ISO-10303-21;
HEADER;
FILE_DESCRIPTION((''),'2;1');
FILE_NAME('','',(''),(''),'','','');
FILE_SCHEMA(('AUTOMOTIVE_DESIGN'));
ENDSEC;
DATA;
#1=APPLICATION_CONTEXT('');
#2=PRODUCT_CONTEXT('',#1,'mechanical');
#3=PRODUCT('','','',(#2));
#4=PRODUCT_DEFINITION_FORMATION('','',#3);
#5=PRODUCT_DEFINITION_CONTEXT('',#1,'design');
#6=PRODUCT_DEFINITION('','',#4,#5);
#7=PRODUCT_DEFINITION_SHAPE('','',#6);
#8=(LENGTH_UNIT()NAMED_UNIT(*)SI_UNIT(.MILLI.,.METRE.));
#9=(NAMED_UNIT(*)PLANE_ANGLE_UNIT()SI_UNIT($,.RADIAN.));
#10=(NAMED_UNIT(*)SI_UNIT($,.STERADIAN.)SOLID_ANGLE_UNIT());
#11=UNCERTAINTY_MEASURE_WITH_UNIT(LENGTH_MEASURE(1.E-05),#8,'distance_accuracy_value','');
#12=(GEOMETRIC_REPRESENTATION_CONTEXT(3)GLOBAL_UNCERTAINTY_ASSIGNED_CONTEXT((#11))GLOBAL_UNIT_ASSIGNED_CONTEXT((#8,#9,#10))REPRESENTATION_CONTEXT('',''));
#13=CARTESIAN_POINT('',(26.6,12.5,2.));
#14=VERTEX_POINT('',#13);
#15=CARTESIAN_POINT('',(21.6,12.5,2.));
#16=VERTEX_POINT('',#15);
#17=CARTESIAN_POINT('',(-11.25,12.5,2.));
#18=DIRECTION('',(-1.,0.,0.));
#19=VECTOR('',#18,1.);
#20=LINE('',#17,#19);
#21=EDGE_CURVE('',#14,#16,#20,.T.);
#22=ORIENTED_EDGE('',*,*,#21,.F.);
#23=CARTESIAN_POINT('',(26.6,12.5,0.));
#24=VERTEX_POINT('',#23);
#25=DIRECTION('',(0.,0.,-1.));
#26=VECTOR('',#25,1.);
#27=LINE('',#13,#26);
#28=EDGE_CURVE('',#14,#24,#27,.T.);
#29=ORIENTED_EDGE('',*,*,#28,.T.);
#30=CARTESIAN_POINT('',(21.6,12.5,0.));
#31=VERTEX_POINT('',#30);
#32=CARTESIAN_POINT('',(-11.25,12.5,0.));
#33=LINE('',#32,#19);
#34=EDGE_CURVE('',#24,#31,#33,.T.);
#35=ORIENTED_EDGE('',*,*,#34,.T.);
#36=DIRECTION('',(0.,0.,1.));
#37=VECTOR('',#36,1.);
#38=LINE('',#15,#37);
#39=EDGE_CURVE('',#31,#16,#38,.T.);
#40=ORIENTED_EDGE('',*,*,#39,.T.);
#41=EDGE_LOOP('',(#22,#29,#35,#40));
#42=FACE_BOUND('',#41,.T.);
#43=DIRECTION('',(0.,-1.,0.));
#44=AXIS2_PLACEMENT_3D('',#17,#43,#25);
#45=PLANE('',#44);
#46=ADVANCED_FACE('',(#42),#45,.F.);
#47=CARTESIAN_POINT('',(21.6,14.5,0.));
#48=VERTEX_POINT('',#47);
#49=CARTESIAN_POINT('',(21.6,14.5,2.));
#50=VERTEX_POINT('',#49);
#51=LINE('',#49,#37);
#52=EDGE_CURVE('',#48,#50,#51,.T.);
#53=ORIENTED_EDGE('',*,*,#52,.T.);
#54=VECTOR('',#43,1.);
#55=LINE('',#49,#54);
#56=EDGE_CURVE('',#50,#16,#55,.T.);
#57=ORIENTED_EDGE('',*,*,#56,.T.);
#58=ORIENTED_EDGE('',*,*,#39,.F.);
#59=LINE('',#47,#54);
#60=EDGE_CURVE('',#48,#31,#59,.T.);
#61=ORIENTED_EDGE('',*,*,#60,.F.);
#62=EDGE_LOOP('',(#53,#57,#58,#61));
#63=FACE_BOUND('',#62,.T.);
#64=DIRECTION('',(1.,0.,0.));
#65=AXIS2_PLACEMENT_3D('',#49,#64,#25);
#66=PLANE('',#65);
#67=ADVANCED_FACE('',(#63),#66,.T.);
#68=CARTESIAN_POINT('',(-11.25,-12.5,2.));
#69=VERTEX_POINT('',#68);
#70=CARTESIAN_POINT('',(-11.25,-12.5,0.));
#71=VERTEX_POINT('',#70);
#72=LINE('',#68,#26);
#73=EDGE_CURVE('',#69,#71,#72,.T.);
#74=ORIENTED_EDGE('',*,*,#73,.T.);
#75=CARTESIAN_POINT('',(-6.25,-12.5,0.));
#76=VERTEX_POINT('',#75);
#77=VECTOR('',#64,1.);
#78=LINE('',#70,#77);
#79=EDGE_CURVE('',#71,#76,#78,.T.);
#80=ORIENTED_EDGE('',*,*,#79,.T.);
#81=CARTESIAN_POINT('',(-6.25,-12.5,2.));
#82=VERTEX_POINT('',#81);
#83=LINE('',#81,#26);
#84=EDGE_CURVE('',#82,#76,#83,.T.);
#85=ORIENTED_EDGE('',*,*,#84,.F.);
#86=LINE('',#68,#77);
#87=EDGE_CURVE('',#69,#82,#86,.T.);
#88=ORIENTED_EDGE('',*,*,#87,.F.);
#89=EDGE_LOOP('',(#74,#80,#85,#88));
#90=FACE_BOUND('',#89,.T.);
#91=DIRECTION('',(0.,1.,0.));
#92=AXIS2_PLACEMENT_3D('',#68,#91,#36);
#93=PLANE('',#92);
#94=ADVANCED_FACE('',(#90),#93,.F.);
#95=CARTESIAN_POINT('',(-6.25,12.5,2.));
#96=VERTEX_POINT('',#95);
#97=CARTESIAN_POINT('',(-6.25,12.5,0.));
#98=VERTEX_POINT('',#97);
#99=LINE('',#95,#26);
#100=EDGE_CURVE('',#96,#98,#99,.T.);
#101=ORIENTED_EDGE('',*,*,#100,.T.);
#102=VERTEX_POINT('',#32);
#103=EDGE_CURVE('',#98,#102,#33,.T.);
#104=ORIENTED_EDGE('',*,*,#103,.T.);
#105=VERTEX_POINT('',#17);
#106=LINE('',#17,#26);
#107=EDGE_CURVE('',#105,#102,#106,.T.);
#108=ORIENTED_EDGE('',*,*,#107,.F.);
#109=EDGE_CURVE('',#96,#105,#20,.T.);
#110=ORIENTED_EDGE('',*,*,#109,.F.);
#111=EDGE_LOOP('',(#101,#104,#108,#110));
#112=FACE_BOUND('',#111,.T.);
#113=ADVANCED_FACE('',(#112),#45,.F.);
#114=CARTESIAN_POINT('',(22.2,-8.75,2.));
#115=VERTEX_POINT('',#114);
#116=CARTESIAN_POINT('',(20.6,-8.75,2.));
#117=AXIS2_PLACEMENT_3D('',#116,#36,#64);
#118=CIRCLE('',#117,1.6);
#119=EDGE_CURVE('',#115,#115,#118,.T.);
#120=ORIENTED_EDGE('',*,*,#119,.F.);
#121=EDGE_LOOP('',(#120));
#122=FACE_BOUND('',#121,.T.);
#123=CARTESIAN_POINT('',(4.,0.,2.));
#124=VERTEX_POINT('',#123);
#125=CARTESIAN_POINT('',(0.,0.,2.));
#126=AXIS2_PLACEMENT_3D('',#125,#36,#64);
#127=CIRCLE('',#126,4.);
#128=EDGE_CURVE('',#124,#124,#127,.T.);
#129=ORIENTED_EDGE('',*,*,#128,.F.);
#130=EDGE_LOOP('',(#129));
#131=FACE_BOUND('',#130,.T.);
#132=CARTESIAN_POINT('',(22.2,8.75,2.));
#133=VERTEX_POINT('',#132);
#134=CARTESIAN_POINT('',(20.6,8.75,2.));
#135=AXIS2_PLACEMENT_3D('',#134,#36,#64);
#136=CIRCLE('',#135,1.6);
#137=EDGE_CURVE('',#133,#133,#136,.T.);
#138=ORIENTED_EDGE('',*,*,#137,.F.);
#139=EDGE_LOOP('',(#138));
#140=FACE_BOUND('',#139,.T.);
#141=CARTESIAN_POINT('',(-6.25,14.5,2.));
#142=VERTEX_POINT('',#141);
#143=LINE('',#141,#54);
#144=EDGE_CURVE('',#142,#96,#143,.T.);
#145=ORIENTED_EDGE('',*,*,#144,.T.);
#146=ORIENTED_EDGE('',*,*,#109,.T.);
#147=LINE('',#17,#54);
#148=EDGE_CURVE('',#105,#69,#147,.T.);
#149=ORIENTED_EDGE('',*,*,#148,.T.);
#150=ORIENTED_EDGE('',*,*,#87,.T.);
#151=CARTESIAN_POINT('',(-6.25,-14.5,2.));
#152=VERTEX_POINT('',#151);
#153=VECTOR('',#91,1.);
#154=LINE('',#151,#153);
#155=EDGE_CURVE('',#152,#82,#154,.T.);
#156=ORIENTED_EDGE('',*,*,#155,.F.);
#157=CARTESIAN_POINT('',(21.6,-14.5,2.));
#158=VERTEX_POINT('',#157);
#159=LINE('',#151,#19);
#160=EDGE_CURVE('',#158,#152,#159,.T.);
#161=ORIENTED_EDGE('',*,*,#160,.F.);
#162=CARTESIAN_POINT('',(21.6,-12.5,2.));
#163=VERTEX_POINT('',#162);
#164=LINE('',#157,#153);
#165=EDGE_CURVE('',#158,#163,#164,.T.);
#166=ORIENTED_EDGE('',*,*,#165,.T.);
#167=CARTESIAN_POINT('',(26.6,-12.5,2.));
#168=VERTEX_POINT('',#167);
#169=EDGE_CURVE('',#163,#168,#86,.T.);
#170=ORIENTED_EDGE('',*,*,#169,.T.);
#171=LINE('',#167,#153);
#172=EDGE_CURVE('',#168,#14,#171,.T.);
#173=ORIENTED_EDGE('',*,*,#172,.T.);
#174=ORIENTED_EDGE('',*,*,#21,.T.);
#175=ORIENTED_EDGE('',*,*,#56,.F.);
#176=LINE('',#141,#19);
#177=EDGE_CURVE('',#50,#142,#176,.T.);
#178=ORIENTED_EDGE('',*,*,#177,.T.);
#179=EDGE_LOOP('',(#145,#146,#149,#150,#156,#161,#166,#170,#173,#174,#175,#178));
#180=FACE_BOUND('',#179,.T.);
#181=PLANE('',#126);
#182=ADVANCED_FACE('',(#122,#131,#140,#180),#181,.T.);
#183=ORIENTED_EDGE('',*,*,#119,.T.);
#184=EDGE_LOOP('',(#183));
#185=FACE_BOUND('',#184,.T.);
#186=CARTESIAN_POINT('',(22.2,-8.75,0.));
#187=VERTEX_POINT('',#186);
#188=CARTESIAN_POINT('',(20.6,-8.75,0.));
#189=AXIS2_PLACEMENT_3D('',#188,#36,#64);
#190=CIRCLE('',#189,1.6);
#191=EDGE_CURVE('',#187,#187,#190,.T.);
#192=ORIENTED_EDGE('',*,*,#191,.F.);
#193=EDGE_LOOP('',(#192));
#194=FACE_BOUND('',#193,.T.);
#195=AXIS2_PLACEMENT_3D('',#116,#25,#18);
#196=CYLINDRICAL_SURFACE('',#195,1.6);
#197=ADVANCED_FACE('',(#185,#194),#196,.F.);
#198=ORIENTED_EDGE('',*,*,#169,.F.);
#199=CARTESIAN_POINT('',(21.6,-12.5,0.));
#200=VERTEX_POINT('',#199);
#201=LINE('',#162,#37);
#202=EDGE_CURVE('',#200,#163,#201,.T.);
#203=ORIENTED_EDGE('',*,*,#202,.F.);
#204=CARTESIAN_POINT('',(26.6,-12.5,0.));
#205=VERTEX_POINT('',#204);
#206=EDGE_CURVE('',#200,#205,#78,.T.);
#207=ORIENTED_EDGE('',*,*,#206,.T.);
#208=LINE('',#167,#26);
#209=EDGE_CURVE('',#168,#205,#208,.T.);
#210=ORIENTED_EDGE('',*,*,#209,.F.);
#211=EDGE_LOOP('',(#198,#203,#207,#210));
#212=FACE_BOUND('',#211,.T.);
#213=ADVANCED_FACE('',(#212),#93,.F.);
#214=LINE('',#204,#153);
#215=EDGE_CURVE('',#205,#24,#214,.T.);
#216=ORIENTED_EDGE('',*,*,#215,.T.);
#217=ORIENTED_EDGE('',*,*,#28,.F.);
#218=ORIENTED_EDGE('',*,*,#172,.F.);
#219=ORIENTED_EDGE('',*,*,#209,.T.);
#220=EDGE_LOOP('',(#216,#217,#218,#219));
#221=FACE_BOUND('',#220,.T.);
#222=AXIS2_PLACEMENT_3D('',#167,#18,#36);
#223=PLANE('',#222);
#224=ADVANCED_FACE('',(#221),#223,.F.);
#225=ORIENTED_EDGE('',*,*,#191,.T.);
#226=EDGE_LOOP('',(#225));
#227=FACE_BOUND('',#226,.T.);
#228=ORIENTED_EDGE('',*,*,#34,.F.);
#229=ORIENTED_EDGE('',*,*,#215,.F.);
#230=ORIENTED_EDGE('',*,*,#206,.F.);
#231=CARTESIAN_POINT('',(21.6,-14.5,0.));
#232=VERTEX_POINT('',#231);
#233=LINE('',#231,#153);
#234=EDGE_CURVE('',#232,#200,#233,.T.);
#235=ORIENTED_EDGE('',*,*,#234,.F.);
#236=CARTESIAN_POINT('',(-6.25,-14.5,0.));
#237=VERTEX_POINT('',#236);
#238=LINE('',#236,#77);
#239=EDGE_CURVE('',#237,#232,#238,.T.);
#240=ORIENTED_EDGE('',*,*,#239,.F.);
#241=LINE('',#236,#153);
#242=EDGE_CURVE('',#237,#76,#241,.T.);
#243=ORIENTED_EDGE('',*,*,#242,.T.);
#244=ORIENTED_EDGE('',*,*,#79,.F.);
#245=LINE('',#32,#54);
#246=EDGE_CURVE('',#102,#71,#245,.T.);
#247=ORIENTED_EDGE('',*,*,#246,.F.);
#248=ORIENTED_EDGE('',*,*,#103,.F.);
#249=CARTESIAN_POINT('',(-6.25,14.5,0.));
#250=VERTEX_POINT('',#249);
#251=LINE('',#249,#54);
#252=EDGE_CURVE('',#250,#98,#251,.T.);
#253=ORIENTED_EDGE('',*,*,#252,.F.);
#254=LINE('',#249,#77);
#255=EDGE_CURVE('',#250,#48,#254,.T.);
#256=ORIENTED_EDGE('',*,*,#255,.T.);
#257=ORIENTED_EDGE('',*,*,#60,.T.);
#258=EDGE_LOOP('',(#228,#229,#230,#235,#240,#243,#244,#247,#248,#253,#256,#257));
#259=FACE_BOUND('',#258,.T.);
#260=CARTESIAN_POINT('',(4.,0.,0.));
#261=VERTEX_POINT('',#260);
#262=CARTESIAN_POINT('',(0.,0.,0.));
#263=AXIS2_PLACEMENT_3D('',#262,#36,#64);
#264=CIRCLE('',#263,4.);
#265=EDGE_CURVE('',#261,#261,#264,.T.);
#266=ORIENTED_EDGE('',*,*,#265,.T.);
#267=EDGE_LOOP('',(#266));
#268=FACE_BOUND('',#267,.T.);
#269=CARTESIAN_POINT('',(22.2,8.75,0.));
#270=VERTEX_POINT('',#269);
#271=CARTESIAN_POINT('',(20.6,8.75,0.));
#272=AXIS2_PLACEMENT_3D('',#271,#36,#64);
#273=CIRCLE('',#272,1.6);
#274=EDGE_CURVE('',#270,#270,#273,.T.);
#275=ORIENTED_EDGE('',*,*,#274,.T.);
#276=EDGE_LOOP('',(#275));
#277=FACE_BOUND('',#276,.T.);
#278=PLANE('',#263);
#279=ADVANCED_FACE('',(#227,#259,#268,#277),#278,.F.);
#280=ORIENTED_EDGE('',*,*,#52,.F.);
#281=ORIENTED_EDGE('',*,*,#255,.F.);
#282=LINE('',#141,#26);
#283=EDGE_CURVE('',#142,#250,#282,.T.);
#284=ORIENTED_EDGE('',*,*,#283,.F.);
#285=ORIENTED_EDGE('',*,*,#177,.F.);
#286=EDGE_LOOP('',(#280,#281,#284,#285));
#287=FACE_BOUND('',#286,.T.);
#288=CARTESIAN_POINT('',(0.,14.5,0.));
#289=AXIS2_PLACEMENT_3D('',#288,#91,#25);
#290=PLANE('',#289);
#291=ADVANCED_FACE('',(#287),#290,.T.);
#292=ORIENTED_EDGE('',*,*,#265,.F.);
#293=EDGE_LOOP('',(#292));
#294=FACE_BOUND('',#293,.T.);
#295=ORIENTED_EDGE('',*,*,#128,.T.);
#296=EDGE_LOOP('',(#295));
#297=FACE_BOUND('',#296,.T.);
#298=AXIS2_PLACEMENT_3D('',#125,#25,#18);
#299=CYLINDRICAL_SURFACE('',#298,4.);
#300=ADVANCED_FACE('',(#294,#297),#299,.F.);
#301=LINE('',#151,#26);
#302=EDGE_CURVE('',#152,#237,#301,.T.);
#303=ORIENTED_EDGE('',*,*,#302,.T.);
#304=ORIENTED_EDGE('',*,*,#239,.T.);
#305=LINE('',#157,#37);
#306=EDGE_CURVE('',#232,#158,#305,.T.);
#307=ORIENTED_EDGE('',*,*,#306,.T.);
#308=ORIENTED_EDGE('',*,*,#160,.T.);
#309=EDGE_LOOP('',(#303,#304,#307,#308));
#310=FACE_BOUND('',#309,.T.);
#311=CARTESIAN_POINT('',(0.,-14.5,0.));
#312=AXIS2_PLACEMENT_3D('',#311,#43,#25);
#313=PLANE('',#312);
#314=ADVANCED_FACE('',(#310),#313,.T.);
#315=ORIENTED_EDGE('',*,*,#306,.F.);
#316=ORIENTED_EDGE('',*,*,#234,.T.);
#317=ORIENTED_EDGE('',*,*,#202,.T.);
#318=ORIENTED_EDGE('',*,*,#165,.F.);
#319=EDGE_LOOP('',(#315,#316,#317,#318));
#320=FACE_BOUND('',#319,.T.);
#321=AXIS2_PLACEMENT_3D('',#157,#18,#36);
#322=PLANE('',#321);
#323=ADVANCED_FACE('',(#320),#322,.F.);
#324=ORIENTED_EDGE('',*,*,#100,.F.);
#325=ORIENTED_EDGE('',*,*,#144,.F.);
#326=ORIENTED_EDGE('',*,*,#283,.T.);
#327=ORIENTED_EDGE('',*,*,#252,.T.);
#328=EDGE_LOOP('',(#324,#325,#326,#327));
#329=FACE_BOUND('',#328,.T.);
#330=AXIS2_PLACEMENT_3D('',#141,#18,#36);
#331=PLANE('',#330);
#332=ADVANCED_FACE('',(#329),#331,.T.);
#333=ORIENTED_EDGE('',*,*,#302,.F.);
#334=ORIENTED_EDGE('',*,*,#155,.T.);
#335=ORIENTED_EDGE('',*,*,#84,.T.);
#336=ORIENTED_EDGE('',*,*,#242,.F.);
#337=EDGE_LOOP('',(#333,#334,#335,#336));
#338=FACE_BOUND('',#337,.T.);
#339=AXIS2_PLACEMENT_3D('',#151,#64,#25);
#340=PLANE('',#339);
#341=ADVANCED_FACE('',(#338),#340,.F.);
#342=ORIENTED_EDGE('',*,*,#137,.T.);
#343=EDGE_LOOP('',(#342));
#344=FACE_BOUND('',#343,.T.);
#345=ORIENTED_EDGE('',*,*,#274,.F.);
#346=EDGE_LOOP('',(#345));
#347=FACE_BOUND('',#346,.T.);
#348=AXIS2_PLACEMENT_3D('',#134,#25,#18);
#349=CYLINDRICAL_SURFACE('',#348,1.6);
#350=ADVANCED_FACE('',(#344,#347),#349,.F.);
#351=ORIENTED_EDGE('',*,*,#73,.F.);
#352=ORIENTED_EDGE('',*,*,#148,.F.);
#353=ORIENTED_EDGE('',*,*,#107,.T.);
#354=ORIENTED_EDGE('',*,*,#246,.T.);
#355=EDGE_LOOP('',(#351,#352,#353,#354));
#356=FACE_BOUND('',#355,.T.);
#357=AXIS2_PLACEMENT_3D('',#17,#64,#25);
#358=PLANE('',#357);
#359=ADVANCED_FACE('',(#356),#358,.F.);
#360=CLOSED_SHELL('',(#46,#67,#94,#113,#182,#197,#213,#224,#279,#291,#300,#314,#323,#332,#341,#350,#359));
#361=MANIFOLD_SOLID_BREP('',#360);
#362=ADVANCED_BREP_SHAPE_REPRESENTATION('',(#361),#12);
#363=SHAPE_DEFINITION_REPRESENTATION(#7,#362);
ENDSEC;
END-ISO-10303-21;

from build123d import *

# Parameters (mm, degrees)
IZIM1_W                     = 37.85
IZIM1_H                     = 25
IZIM1_R                     = 1.6
IZIM1_R_2                   = 4
Y_KSEKLIK_EKSTR_ZYON1_DEPTH = 2
IZIM2_W                     = 27.85
IZIM2_H                     = 2
Y_KSEKLIK_EKSTR_ZYON2_DEPTH = 2


with BuildPart() as part:
    # Çizim1 → Yükseklik-Ekstrüzyon1 (new body)
    with BuildSketch(Plane.XY):
        with Locations((7.675, 0)):
            Rectangle(IZIM1_W, IZIM1_H)
        with Locations((20.6, -8.75)):
            Circle(IZIM1_R, mode=Mode.SUBTRACT)
        with Locations((20.6, 8.75)):
            Circle(IZIM1_R, mode=Mode.SUBTRACT)
        Circle(IZIM1_R_2, mode=Mode.SUBTRACT)
    extrude(amount=Y_KSEKLIK_EKSTR_ZYON1_DEPTH)

    # Çizim2 → Yükseklik-Ekstrüzyon2 (add)
    with BuildSketch(Plane.XZ.offset(12.5)):
        with Locations((7.675, 1)):
            Rectangle(IZIM2_W, IZIM2_H)
    y_kseklik_ekstr_zyon2 = extrude(amount=Y_KSEKLIK_EKSTR_ZYON2_DEPTH)

    # Aynalama1: Yükseklik-Ekstrüzyon2 across plane
    add(y_kseklik_ekstr_zyon2.mirror(Plane.ZX))


solid = part.part
